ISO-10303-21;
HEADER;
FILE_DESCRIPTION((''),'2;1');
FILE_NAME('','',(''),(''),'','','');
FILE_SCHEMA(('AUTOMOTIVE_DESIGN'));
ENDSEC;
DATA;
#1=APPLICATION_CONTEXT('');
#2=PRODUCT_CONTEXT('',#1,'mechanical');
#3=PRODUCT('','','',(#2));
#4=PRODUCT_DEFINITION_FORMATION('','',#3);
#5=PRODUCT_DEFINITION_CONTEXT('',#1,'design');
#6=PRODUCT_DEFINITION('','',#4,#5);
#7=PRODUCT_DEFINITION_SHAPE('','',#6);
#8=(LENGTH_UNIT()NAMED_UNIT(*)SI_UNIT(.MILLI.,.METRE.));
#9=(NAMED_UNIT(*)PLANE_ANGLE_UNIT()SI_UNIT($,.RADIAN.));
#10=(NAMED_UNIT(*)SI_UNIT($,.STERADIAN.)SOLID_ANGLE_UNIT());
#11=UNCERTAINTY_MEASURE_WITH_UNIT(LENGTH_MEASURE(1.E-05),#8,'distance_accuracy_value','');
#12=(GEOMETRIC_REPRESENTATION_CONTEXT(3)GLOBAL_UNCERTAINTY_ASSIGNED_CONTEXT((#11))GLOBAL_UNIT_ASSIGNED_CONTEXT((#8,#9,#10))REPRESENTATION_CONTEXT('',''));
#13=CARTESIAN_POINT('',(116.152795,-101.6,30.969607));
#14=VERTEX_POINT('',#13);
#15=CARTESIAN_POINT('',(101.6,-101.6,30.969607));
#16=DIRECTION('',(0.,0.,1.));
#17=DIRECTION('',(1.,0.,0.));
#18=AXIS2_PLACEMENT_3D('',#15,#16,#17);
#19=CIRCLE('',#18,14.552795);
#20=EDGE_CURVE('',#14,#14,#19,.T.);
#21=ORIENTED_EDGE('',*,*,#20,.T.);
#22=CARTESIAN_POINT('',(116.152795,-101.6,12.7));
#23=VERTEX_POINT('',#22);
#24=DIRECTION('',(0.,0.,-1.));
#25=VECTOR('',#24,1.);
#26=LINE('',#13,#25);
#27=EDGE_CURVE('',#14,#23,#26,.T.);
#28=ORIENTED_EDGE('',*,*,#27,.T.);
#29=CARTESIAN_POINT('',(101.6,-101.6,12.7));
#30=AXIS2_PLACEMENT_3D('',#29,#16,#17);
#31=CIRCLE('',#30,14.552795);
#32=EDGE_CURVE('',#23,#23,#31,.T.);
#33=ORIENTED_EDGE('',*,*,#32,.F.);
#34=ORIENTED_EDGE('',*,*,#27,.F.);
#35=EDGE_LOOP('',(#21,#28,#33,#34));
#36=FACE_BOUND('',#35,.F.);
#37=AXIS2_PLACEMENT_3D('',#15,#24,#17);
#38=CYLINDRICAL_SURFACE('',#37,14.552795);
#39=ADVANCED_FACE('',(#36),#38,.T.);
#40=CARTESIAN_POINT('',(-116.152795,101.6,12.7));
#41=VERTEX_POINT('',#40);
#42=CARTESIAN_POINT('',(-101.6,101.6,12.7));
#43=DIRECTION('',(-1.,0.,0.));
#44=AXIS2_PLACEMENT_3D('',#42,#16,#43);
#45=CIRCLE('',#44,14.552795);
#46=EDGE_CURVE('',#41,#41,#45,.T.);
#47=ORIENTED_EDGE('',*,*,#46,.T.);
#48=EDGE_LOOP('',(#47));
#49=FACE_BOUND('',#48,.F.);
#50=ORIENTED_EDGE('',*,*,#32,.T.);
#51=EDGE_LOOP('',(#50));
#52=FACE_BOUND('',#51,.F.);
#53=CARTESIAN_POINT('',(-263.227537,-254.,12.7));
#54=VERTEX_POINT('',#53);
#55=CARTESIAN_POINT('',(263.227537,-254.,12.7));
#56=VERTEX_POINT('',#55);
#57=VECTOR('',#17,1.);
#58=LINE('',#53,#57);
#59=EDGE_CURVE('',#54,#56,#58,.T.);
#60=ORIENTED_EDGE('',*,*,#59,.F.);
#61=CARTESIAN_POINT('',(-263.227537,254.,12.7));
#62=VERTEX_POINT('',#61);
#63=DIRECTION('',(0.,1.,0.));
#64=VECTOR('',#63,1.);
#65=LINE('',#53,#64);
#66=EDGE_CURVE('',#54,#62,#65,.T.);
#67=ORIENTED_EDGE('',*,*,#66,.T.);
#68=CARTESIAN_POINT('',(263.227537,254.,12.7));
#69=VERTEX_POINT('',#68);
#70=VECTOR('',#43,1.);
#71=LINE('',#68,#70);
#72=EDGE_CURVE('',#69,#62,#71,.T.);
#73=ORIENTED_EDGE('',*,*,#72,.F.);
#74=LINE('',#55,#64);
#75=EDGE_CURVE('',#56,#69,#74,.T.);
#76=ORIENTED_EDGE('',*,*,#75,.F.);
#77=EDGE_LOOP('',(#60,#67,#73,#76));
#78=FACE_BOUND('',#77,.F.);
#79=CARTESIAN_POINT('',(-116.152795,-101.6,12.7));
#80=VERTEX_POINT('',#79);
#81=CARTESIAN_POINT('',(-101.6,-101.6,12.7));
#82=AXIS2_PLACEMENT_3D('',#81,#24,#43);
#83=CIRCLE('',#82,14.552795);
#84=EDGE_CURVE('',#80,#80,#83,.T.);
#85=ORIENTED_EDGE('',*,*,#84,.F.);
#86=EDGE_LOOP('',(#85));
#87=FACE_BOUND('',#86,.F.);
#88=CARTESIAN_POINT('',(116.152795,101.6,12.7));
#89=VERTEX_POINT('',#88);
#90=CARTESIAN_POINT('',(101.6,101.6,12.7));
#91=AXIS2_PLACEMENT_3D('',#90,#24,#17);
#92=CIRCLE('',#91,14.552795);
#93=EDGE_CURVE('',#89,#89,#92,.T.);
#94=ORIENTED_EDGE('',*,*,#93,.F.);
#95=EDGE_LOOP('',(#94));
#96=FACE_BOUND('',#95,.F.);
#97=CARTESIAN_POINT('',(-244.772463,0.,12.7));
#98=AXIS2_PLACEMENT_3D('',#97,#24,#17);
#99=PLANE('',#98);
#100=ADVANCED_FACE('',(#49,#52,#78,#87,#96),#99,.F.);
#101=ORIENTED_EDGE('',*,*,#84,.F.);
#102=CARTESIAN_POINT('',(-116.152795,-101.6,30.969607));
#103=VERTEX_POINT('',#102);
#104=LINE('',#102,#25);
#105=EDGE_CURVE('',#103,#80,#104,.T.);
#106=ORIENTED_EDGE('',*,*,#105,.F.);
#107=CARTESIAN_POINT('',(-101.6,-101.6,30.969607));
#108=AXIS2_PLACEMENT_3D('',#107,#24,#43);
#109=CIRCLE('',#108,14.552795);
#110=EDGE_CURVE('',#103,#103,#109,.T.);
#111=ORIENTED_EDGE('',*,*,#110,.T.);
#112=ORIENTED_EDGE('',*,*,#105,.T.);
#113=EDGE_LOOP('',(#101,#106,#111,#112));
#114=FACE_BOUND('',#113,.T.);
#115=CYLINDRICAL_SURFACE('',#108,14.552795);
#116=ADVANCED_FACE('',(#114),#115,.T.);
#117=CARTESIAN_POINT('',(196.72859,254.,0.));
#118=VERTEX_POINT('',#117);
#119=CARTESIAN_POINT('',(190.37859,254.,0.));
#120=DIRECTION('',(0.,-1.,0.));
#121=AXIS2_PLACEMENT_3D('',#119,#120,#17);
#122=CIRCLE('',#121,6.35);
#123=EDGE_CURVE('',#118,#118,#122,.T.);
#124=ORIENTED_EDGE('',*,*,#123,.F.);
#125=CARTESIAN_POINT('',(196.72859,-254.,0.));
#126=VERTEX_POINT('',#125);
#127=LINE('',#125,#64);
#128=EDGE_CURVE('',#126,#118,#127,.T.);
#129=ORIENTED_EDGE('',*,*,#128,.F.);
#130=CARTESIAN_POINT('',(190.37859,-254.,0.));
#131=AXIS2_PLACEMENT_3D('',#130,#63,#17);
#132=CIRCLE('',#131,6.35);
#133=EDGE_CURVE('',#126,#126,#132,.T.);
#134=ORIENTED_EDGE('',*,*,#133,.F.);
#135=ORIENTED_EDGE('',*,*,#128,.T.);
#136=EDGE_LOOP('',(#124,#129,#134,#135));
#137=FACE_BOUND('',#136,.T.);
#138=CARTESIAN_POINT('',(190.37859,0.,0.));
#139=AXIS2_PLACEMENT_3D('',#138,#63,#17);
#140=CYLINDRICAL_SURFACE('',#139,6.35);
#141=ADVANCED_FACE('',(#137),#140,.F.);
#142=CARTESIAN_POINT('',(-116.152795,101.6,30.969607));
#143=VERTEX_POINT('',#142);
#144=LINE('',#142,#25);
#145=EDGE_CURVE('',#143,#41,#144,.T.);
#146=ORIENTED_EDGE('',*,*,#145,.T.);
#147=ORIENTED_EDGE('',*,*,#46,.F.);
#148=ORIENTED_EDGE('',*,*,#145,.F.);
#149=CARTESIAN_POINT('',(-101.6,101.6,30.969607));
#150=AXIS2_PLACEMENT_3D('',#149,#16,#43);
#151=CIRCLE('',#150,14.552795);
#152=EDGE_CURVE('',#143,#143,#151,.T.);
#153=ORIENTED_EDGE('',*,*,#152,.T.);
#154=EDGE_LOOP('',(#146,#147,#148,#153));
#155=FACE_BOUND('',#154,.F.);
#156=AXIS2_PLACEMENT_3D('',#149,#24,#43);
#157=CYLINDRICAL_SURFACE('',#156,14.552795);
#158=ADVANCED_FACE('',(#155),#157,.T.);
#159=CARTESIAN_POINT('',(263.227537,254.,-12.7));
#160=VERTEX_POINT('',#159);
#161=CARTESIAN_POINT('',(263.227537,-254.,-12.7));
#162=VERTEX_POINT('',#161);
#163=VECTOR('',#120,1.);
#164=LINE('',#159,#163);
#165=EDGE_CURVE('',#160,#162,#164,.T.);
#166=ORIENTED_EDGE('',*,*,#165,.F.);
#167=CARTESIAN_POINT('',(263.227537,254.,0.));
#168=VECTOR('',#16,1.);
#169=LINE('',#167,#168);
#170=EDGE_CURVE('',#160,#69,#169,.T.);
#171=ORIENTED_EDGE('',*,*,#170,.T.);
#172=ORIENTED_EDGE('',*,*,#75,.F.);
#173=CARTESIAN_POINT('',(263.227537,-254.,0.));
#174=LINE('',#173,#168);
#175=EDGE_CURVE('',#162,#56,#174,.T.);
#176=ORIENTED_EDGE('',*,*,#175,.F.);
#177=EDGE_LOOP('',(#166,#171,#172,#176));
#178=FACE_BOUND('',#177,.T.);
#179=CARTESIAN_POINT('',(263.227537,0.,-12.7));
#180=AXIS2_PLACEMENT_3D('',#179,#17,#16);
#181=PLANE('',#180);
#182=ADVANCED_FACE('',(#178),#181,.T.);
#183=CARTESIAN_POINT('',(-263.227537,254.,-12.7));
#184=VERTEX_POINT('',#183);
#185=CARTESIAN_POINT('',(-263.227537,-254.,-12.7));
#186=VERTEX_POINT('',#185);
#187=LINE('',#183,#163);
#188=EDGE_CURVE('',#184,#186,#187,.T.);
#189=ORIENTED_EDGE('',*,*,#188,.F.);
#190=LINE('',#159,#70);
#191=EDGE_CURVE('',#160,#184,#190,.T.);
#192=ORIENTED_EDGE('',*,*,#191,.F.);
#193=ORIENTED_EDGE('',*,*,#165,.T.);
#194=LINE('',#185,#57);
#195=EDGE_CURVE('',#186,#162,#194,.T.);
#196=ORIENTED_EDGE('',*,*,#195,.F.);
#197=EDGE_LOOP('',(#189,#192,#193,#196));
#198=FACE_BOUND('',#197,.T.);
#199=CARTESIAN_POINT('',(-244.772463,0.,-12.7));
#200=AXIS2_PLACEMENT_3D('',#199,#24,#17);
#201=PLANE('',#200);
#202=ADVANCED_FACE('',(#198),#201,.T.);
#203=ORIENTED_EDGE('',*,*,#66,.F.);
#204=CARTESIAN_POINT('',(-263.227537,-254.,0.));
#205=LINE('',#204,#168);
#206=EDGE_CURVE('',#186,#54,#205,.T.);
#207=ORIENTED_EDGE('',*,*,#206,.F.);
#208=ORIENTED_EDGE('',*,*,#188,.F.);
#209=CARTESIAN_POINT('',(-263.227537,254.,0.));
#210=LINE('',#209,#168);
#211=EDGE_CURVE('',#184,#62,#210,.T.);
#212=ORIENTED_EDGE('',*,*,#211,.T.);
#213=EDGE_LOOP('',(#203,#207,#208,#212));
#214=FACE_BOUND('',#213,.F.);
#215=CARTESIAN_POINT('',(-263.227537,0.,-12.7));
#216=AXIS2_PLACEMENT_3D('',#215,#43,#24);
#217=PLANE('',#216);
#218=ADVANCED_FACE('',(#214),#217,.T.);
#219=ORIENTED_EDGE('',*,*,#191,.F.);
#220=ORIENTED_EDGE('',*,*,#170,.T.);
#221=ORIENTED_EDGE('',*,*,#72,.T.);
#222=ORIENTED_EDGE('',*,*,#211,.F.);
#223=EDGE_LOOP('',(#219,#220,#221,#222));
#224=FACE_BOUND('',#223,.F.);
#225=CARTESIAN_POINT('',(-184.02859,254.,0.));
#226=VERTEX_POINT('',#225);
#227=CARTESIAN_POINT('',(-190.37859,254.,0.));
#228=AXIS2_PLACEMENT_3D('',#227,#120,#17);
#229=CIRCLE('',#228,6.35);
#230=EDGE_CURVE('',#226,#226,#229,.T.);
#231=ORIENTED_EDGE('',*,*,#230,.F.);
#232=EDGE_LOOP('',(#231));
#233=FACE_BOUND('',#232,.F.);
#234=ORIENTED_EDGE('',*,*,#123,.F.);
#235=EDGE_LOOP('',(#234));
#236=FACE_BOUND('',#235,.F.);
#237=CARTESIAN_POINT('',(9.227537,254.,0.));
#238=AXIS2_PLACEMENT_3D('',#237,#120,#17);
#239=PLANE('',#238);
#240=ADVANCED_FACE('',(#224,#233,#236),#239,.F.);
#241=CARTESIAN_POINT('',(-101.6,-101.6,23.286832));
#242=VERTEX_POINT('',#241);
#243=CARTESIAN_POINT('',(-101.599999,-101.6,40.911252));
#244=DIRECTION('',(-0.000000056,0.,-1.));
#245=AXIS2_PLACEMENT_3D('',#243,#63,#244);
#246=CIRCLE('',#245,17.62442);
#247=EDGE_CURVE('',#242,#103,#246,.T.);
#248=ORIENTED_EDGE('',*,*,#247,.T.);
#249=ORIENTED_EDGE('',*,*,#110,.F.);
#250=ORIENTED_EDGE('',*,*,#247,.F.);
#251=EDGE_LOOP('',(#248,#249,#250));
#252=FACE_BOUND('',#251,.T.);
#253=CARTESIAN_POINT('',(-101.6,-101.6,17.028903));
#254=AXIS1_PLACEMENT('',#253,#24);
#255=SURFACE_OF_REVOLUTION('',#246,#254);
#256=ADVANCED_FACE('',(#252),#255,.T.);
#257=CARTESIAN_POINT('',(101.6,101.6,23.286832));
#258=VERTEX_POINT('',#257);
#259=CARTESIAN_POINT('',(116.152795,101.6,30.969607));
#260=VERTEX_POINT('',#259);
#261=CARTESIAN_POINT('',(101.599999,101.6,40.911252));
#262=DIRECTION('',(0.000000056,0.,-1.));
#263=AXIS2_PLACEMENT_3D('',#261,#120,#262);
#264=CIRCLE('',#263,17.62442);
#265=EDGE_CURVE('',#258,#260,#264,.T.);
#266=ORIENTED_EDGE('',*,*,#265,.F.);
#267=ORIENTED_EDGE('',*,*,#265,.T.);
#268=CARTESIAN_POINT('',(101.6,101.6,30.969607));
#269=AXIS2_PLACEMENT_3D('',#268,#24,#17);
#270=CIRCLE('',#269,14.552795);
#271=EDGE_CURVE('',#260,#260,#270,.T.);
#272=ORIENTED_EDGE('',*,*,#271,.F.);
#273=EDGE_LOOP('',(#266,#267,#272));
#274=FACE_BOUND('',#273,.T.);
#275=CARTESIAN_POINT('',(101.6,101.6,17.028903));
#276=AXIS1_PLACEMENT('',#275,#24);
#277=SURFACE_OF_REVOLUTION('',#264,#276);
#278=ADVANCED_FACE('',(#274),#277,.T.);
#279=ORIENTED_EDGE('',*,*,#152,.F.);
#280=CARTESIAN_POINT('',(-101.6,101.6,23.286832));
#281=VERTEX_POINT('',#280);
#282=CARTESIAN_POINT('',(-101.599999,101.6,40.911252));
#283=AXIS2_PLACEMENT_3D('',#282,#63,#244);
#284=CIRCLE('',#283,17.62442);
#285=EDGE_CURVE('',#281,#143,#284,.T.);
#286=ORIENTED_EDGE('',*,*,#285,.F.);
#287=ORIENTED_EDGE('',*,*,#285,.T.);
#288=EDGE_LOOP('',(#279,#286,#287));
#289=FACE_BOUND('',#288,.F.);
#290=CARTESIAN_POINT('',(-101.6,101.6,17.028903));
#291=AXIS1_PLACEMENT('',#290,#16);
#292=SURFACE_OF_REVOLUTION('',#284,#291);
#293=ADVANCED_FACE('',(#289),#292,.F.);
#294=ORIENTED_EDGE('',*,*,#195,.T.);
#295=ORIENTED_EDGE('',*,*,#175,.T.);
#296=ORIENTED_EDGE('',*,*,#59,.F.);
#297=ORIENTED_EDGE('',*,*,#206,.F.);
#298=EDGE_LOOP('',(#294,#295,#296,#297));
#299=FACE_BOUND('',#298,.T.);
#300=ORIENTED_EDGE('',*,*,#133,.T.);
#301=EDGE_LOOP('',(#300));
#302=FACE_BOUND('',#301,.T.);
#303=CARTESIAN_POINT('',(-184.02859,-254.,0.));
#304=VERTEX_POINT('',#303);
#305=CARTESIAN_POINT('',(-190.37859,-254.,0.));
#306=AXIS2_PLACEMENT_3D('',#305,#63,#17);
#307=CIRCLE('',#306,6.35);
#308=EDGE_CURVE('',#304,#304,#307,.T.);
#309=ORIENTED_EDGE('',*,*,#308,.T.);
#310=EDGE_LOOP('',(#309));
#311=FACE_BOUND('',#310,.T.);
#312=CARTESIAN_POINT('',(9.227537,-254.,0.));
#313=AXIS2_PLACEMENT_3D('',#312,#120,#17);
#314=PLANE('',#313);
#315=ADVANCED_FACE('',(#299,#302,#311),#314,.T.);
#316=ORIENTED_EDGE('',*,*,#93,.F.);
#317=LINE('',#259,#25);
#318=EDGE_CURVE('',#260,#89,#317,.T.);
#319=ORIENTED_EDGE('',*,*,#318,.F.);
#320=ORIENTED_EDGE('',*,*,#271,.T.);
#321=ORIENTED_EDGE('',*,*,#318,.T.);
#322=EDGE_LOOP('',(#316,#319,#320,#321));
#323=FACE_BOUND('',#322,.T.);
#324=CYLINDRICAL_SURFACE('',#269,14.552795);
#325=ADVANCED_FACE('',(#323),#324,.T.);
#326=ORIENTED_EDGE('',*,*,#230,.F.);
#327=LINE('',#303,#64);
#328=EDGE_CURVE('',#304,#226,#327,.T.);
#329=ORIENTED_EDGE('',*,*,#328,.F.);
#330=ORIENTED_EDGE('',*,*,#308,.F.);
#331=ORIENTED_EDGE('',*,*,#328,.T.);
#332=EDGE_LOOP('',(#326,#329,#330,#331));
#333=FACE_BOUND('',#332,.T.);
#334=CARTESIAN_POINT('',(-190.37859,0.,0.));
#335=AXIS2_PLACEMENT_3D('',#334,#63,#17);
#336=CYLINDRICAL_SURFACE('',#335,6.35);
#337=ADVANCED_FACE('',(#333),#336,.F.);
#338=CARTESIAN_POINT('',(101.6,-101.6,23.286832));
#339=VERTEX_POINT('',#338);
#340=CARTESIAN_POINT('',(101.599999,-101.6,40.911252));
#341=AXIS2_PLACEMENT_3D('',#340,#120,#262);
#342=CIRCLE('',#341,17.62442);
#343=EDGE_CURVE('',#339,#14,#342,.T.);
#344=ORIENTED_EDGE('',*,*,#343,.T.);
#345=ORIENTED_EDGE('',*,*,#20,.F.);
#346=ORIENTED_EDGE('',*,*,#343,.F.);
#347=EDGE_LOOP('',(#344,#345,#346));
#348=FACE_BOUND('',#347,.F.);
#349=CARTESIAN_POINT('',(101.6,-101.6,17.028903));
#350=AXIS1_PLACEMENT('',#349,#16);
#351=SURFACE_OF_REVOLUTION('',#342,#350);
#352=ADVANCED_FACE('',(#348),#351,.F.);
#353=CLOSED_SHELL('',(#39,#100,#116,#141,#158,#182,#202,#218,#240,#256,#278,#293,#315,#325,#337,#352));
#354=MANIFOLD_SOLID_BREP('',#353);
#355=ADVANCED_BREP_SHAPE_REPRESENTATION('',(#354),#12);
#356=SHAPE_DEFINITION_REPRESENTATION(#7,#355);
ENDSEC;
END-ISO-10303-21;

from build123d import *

# Parameters (mm, degrees)
F0_W     = 508
F0_H     = 25.4
F0_R     = 6.35
F1_DEPTH = 254


with BuildPart() as f1:
    # F0 (on Front) → F1 (new body, symmetric)
    with BuildSketch(Plane.XZ):
        with Locations((9.227537, 0)):
            Rectangle(F0_W, F0_H)
        with Locations((-190.37859, 0)):
            Circle(F0_R, mode=Mode.SUBTRACT)
        with Locations((190.37859, 0)):
            Circle(F0_R, mode=Mode.SUBTRACT)
    extrude(amount=F1_DEPTH, both=True)

    # F3 (on offset) → F4 (revolve)
    with BuildSketch(Plane.XZ.offset(101.6)):
        with BuildLine():
            ThreePointArc((-101.6, 23.286832), (-109.828136, 25.325427), (-116.152795, 30.969607))
            Line((-116.152795, 30.969607), (-116.152795, 10.770973))
            Line((-116.152795, 10.770973), (-101.6, 10.770973))
            Line((-101.6, 10.770973), (-101.6, 23.286832))
        make_face()
    revolve(axis=Axis((-101.6, -101.6, 17.028903), (0, 0, -1)))

    # F5: F1 across plane


with BuildPart() as f1_1:
    add(f1.part)
    add(f1.part.mirror(Plane.YZ))

    # F6: F1 across plane


with BuildPart() as f1_2:
    add(f1_1.part)
    add(f1_1.part.mirror(Plane.XZ))


solid = f1_2.part
